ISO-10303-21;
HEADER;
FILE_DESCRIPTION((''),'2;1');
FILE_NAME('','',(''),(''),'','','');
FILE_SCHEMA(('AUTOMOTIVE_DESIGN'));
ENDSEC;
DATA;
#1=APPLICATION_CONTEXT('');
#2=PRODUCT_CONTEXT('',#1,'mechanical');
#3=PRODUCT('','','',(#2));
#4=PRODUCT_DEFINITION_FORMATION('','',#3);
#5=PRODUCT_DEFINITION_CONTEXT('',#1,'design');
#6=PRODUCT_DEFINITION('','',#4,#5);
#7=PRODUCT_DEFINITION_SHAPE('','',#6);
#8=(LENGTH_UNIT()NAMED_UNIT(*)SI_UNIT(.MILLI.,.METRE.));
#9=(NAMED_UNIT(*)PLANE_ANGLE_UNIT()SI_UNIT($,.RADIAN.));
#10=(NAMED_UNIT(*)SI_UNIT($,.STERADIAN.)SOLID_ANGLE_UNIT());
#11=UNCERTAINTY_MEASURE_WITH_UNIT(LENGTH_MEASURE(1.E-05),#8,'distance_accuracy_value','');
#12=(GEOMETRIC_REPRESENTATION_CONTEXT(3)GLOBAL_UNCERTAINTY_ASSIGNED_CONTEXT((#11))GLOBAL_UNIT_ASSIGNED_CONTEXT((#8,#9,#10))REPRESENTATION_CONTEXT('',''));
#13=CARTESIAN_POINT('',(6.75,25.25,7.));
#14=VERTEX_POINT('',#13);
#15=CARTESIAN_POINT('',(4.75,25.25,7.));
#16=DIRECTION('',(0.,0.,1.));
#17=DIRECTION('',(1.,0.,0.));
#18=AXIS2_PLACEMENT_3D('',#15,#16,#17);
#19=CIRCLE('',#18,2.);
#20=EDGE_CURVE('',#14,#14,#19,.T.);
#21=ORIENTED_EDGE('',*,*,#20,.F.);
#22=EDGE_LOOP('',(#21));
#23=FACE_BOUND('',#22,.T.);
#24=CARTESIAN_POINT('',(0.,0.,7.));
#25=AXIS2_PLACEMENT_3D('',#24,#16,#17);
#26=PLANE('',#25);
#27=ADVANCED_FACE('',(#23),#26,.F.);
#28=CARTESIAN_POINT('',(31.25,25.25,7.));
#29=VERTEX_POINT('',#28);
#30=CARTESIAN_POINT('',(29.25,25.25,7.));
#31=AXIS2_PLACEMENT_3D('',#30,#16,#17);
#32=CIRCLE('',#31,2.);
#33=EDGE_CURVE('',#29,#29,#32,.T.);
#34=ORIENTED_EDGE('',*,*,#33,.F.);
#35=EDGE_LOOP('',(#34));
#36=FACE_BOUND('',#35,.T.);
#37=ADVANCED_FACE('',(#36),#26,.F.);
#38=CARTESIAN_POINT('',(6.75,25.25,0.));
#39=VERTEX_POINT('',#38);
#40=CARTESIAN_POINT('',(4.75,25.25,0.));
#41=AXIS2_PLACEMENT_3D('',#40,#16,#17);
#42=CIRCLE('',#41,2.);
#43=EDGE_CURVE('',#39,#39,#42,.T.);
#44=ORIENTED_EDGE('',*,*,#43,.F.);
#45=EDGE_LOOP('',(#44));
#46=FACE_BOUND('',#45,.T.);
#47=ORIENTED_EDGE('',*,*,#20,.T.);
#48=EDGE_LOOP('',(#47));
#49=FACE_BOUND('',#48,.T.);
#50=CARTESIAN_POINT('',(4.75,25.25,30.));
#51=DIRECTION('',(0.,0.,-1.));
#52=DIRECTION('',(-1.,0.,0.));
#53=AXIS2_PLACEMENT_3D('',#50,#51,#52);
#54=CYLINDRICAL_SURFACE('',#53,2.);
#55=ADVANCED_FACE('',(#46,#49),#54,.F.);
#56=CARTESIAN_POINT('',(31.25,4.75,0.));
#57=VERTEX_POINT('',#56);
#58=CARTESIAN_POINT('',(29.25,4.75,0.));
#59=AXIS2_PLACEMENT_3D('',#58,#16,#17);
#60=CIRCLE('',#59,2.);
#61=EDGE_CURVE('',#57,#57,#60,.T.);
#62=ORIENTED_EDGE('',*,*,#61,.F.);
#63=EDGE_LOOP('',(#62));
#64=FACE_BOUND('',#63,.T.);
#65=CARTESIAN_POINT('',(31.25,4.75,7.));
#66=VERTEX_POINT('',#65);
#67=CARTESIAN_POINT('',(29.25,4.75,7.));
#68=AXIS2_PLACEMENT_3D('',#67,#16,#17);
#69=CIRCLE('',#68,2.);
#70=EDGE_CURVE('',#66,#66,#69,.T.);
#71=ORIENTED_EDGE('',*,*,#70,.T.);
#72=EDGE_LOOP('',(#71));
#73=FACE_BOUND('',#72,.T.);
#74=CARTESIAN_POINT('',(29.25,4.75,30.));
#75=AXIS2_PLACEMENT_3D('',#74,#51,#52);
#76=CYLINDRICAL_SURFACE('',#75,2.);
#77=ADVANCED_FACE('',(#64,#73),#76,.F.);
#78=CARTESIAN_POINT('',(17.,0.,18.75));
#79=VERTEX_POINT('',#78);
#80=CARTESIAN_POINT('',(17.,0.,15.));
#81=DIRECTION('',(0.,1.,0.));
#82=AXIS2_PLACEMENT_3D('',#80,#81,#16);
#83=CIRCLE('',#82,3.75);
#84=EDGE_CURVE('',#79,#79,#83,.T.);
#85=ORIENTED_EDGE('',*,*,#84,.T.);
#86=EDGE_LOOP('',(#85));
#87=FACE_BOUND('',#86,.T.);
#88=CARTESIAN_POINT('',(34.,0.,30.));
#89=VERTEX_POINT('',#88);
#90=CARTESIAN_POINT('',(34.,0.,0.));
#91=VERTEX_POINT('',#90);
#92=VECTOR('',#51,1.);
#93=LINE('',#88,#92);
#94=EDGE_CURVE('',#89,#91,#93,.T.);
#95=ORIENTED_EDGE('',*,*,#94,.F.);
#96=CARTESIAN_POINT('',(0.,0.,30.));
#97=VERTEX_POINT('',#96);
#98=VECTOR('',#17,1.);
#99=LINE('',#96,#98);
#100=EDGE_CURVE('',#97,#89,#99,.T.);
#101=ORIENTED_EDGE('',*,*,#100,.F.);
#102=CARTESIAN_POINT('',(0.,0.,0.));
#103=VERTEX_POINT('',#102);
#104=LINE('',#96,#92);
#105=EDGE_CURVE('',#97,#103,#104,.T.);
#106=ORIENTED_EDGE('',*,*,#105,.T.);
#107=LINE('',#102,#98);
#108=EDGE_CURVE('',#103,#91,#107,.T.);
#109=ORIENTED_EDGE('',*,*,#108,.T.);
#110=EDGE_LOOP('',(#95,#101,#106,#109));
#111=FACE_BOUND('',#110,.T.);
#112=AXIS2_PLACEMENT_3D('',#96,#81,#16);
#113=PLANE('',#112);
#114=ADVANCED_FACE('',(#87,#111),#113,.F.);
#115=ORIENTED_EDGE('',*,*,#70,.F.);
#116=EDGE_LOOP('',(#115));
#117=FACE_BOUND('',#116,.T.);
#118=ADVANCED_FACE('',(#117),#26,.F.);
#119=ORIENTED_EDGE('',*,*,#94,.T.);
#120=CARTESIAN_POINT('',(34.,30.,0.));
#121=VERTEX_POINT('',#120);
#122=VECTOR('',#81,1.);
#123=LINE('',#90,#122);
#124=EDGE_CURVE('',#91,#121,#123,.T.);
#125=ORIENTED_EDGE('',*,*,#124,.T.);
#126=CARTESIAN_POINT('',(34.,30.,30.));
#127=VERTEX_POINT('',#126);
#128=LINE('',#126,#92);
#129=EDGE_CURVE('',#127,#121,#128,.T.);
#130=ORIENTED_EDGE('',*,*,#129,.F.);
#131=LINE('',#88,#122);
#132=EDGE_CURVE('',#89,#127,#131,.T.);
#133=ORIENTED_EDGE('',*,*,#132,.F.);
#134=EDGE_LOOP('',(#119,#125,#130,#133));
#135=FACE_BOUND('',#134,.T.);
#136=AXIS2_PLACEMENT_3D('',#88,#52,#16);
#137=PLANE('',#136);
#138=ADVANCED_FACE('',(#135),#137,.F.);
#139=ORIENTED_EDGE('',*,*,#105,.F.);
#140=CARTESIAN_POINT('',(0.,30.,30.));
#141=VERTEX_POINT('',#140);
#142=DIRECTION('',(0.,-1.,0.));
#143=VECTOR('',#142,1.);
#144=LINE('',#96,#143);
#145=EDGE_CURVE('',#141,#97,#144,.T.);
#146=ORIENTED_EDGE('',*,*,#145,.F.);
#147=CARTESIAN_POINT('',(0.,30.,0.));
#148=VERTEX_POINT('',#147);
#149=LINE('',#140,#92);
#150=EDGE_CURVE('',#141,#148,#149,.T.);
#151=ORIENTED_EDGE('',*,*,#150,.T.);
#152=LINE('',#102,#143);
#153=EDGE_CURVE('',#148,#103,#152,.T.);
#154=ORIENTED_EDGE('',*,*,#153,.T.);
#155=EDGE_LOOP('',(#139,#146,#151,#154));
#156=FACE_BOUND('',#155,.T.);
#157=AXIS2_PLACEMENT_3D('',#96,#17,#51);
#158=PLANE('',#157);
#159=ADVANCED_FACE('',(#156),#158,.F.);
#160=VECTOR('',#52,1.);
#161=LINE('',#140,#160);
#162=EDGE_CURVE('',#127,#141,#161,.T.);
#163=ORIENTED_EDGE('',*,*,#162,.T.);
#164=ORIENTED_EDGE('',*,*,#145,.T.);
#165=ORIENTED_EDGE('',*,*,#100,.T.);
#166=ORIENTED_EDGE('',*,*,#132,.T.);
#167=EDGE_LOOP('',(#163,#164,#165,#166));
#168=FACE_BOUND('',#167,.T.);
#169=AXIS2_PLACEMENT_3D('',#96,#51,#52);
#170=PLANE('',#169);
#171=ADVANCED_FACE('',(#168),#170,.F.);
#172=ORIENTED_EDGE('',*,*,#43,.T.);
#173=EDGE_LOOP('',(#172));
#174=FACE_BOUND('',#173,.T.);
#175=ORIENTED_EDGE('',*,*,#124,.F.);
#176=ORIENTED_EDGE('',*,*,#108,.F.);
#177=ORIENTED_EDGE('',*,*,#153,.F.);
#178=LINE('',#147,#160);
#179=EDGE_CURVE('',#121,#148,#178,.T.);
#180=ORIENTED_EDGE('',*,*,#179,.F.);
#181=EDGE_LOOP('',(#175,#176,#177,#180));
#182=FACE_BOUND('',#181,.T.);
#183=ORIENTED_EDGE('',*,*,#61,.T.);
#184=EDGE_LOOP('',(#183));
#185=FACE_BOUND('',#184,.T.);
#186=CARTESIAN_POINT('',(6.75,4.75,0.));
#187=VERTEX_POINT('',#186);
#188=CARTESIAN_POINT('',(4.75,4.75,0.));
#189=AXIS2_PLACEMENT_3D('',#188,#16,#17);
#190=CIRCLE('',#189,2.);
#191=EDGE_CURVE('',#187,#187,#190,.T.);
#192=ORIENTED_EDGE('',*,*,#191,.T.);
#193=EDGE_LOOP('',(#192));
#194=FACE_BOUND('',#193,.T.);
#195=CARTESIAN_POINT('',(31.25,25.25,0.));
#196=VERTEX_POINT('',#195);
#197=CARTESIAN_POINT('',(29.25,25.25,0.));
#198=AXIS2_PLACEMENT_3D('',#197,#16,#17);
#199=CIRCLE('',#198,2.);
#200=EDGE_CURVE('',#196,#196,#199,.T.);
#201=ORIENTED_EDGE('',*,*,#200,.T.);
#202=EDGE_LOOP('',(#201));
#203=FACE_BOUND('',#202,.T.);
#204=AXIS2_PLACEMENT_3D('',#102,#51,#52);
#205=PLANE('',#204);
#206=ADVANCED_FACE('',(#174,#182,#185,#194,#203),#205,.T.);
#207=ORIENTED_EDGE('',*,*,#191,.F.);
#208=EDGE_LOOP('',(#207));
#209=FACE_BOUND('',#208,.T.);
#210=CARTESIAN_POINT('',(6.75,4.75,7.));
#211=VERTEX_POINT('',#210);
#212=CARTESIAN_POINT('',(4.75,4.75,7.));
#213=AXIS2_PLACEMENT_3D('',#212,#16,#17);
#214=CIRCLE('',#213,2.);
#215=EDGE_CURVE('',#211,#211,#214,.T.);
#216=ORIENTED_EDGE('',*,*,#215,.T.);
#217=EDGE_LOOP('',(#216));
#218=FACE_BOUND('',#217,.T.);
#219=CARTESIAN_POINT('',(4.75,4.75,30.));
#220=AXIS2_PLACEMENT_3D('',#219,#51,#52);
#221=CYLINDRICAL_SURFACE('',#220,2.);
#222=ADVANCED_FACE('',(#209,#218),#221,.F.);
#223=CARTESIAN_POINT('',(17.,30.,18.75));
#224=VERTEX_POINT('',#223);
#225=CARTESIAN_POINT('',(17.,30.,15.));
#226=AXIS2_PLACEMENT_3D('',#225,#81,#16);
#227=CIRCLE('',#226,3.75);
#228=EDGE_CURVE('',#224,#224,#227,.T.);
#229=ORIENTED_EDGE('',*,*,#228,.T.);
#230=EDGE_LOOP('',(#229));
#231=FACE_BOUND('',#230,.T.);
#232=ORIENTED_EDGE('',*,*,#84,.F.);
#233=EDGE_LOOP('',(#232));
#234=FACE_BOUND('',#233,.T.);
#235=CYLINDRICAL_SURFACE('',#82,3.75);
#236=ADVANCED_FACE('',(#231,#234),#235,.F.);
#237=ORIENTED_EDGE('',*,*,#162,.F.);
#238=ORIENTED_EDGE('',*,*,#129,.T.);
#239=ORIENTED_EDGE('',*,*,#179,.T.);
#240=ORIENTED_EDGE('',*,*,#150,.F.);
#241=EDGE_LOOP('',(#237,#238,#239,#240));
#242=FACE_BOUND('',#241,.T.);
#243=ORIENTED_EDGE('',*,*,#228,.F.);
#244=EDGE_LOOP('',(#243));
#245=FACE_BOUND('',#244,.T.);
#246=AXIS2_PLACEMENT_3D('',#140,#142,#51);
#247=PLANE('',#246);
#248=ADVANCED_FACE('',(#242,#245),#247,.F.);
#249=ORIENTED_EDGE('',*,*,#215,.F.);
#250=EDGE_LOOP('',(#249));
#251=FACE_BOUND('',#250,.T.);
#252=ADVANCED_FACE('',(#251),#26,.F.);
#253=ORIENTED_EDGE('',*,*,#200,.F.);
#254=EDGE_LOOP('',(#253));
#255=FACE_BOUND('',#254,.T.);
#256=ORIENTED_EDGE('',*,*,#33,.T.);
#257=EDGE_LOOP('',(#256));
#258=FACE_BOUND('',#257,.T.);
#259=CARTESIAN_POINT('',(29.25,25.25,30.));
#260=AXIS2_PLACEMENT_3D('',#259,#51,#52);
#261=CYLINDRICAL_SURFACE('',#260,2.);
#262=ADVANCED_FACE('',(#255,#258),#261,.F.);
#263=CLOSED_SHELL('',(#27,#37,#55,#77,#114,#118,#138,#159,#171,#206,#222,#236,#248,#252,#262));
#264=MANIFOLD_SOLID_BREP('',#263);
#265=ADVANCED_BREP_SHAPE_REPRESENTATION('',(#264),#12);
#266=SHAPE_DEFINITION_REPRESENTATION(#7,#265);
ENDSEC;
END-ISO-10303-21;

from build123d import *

# Parameters (mm, degrees)
SKETCH1_W           = 34
SKETCH1_H           = 30
SKETCH1_R           = 2
BOSS_EXTRUDE1_DEPTH = 30
SKETCH2_W           = 34
SKETCH2_H           = 30
BOSS_EXTRUDE2_DEPTH = 23
SKETCH3_R           = 3.75
CUT_EXTRUDE1_DEPTH  = 30


with BuildPart() as part:
    # Sketch1 → Boss-Extrude1 (new body)
    with BuildSketch(Plane.XY):
        with Locations((17, 15)):
            Rectangle(SKETCH1_W, SKETCH1_H)
        with Locations((4.75, 25.25)):
            Circle(SKETCH1_R, mode=Mode.SUBTRACT)
        with Locations((29.25, 25.25)):
            Circle(SKETCH1_R, mode=Mode.SUBTRACT)
        with Locations((29.25, 4.75)):
            Circle(SKETCH1_R, mode=Mode.SUBTRACT)
        with Locations((4.75, 4.75)):
            Circle(SKETCH1_R, mode=Mode.SUBTRACT)
    extrude(amount=BOSS_EXTRUDE1_DEPTH)

    # Sketch2 → Boss-Extrude2 (add)
    with BuildSketch(Plane.XY.offset(30)):
        with Locations((17, 15)):
            Rectangle(SKETCH2_W, SKETCH2_H)
    extrude(amount=-BOSS_EXTRUDE2_DEPTH)

    # Sketch3 → Cut-Extrude1 (cut)
    with BuildSketch(Plane(origin=(0, 30, 0), x_dir=(1, 0, 0), z_dir=(0, 1, 0))):
        with Locations(Location((17, -15, 0), (0, 0, 270))):
            Circle(SKETCH3_R)
    extrude(amount=-CUT_EXTRUDE1_DEPTH, mode=Mode.SUBTRACT)


solid = part.part
